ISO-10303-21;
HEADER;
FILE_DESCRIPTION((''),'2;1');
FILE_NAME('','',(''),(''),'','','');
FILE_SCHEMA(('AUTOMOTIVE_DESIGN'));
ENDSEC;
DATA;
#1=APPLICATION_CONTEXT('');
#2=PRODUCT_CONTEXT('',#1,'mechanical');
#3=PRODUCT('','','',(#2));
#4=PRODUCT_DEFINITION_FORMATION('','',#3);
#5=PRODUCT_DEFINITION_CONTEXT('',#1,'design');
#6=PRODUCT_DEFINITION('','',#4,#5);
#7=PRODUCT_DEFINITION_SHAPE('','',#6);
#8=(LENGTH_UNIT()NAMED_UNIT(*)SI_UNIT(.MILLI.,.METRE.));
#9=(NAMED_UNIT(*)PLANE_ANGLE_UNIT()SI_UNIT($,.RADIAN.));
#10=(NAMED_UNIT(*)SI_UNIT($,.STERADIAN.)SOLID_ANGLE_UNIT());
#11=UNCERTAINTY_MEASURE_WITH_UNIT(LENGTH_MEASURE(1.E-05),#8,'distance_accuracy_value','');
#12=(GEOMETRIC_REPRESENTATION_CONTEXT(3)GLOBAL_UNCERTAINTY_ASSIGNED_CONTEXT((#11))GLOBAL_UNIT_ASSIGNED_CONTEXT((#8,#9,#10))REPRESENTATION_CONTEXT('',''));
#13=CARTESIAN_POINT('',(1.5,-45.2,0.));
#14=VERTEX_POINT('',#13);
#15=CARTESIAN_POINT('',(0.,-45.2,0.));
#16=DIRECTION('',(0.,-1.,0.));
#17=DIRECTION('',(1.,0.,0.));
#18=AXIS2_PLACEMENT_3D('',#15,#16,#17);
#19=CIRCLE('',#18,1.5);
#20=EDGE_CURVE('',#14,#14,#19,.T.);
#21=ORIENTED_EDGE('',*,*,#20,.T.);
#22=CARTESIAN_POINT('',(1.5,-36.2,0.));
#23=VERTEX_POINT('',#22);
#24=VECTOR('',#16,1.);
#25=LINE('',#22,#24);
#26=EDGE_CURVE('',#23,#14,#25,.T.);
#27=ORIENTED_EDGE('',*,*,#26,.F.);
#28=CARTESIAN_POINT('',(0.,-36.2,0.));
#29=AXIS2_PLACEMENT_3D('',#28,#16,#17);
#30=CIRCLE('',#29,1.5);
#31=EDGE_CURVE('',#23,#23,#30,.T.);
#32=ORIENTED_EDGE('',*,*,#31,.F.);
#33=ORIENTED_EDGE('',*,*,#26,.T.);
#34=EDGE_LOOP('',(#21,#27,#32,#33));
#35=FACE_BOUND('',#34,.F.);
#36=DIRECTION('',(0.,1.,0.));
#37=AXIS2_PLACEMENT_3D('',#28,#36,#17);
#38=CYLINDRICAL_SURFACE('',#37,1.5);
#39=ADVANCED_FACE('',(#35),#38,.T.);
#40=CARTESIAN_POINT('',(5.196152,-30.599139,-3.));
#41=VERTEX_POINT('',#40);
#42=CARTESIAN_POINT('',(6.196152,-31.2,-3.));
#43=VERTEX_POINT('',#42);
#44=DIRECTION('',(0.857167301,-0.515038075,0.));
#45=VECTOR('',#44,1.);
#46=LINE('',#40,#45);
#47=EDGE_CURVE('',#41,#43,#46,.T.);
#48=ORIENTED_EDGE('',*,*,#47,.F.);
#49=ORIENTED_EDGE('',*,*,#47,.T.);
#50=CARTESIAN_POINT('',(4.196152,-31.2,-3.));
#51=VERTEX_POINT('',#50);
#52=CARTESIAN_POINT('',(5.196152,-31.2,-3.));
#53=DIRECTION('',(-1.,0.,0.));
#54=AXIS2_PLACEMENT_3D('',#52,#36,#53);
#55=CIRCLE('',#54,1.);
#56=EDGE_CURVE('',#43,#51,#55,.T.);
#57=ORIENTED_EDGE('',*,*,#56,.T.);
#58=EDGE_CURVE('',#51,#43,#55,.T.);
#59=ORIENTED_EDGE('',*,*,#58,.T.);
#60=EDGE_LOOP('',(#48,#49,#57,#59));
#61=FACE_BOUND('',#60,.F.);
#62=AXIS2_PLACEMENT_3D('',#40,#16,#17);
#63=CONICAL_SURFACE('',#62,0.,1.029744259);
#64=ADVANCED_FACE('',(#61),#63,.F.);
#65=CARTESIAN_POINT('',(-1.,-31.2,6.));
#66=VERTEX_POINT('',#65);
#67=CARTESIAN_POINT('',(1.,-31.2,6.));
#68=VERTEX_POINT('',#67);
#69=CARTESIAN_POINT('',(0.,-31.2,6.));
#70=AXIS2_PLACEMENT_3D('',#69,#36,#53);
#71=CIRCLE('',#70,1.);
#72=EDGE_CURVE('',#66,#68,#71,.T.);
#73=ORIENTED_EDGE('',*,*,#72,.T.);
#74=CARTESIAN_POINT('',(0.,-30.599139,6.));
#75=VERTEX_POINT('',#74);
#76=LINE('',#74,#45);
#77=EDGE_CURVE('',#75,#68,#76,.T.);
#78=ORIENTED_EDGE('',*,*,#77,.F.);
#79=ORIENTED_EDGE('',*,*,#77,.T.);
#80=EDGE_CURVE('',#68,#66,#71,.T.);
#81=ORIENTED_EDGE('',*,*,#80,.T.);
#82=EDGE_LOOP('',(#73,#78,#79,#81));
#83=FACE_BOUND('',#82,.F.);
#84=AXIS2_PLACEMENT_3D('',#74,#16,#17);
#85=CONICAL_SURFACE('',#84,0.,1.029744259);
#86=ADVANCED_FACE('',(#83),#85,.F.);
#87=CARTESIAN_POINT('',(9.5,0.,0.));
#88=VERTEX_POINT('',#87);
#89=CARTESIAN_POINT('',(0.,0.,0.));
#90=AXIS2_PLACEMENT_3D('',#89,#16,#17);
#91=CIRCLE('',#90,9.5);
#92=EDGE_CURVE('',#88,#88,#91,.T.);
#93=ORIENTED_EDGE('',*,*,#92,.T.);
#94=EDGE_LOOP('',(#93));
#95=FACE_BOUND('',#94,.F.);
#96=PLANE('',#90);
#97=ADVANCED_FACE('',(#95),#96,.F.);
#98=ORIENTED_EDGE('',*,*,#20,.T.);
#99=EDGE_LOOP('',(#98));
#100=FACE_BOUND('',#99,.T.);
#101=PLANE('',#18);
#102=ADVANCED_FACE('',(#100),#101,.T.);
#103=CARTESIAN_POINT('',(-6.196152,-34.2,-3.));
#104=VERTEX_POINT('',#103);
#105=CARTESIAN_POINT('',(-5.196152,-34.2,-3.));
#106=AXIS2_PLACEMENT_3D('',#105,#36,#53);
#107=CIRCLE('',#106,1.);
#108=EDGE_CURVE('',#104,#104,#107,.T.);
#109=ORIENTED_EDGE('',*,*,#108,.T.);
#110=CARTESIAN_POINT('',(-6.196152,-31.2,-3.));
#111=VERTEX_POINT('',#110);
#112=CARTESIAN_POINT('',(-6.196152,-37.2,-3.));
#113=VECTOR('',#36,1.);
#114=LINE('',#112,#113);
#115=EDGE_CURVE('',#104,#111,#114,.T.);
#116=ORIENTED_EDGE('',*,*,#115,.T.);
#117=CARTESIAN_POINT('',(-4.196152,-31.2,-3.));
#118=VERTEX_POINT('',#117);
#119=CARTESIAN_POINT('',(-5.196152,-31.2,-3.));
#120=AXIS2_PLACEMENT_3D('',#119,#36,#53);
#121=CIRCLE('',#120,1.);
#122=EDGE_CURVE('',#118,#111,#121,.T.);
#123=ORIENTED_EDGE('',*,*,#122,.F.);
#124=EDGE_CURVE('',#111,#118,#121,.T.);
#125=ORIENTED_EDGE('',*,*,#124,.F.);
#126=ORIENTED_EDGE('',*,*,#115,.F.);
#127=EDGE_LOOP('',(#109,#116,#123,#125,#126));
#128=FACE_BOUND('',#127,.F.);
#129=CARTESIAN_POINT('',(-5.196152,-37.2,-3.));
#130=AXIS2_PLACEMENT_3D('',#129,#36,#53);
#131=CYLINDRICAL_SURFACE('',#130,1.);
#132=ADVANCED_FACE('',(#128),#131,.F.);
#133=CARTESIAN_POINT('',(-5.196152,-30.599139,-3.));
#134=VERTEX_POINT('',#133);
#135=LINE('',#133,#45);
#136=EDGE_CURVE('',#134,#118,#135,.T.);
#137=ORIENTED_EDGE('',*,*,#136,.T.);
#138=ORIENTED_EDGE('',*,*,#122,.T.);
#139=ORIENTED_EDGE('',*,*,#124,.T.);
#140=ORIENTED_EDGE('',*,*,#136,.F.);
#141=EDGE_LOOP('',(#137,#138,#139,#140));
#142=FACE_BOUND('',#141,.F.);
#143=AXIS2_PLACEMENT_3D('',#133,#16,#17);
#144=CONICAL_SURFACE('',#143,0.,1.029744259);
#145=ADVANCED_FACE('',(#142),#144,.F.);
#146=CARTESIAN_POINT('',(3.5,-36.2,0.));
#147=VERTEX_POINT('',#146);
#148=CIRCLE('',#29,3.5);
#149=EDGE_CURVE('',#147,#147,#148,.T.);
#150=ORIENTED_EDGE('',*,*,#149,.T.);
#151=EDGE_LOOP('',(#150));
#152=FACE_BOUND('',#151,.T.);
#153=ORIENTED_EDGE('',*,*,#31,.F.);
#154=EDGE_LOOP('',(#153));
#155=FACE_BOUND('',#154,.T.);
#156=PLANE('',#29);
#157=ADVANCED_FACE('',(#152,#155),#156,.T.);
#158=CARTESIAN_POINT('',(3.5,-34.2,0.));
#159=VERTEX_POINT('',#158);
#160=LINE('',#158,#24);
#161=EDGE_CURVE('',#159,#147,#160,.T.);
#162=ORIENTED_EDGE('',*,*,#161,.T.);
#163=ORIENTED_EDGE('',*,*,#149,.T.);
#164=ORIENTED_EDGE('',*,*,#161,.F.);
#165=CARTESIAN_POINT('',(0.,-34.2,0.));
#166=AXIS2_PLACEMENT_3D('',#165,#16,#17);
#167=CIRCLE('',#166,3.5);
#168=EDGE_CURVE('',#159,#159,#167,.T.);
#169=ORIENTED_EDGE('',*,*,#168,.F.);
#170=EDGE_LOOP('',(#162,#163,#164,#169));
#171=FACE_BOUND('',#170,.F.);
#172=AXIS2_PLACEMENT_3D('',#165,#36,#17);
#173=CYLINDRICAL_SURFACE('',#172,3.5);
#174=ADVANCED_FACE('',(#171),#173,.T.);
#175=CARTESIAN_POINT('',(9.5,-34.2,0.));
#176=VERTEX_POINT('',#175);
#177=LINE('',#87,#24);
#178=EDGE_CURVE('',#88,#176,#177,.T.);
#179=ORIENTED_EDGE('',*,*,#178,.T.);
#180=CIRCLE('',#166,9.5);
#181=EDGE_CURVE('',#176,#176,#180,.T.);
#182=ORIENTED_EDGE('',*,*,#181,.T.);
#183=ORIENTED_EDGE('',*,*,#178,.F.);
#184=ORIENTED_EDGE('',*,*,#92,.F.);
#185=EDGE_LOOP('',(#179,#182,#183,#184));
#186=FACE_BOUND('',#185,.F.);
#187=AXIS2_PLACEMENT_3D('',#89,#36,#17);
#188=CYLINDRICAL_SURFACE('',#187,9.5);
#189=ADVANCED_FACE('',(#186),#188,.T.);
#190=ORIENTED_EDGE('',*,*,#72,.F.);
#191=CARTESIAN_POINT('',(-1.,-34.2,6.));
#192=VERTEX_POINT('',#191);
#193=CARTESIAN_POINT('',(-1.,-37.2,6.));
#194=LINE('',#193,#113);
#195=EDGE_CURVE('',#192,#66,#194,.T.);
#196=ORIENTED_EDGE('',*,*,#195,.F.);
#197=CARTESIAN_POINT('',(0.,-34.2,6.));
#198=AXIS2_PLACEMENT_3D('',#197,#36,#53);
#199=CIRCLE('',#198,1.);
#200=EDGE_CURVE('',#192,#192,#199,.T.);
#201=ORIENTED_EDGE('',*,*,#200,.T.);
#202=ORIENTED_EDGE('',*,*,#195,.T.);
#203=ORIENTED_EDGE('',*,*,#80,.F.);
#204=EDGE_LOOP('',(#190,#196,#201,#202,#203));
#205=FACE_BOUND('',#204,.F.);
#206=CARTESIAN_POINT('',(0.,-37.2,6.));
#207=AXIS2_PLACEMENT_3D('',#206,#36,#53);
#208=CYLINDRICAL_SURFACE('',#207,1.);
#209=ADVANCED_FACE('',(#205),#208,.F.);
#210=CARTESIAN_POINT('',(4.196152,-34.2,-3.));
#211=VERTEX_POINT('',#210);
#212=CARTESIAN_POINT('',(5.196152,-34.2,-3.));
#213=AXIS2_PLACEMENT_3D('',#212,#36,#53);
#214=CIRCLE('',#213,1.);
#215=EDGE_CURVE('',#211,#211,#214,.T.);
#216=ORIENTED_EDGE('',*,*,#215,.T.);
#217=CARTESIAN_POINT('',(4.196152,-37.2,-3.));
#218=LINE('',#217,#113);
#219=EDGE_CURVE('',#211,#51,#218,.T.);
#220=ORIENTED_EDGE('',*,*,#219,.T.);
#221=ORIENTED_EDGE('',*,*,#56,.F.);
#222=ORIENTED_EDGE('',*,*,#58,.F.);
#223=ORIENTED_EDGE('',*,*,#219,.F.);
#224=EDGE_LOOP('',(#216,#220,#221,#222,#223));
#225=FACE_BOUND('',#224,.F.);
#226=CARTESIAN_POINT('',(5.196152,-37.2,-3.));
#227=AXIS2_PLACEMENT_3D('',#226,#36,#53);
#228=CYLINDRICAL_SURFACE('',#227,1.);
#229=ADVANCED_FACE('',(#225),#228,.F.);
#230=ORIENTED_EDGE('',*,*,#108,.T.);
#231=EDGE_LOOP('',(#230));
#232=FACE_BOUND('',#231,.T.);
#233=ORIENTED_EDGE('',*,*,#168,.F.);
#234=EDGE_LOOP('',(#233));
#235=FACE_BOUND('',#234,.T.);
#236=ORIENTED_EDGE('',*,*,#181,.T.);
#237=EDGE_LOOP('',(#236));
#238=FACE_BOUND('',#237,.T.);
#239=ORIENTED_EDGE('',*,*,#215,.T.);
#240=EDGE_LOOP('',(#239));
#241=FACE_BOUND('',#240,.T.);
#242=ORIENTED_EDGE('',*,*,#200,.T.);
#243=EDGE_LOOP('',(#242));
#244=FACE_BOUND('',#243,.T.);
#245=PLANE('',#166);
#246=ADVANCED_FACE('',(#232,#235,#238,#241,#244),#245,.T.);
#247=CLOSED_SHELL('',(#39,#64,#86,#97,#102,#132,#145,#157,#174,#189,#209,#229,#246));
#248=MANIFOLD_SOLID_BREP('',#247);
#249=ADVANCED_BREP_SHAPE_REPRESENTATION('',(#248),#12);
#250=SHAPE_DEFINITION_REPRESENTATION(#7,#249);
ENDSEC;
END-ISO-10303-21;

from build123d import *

# Parameters (mm, degrees)
F0_R     = 9.5
F1_DEPTH = 34.2
F2_R     = 3.5
F3_DEPTH = 2
F4_R     = 1.5
F5_DEPTH = 9
F7_D     = 2
F7_DEPTH = 3
F7_TIP   = 0.600860619


with BuildPart() as f1:
    # F0 (on Front) → F1 (new body)
    with BuildSketch(Plane.XZ):
        Circle(F0_R)
    extrude(amount=F1_DEPTH)

    # F2 (on face) → F3 (join)
    with BuildSketch(Plane.XZ.offset(34.2)):
        Circle(F2_R)
    extrude(amount=F3_DEPTH)

    # F4 (on face) → F5 (join)
    with BuildSketch(Plane.XZ.offset(36.2)):
        Circle(F4_R)
    extrude(amount=F5_DEPTH)

    # F7
    with Locations(Plane.XZ.offset(34.2)):
        with Locations((0, 6), (-5.1961524227, -3), (5.1961524227, -3)):
            Hole(F7_D / 2, depth=F7_DEPTH)
            with Locations((0, 0, -(F7_DEPTH + F7_TIP / 2))):  # 118° drill point
                Cone(0, F7_D / 2, F7_TIP, mode=Mode.SUBTRACT)


solid = f1.part
